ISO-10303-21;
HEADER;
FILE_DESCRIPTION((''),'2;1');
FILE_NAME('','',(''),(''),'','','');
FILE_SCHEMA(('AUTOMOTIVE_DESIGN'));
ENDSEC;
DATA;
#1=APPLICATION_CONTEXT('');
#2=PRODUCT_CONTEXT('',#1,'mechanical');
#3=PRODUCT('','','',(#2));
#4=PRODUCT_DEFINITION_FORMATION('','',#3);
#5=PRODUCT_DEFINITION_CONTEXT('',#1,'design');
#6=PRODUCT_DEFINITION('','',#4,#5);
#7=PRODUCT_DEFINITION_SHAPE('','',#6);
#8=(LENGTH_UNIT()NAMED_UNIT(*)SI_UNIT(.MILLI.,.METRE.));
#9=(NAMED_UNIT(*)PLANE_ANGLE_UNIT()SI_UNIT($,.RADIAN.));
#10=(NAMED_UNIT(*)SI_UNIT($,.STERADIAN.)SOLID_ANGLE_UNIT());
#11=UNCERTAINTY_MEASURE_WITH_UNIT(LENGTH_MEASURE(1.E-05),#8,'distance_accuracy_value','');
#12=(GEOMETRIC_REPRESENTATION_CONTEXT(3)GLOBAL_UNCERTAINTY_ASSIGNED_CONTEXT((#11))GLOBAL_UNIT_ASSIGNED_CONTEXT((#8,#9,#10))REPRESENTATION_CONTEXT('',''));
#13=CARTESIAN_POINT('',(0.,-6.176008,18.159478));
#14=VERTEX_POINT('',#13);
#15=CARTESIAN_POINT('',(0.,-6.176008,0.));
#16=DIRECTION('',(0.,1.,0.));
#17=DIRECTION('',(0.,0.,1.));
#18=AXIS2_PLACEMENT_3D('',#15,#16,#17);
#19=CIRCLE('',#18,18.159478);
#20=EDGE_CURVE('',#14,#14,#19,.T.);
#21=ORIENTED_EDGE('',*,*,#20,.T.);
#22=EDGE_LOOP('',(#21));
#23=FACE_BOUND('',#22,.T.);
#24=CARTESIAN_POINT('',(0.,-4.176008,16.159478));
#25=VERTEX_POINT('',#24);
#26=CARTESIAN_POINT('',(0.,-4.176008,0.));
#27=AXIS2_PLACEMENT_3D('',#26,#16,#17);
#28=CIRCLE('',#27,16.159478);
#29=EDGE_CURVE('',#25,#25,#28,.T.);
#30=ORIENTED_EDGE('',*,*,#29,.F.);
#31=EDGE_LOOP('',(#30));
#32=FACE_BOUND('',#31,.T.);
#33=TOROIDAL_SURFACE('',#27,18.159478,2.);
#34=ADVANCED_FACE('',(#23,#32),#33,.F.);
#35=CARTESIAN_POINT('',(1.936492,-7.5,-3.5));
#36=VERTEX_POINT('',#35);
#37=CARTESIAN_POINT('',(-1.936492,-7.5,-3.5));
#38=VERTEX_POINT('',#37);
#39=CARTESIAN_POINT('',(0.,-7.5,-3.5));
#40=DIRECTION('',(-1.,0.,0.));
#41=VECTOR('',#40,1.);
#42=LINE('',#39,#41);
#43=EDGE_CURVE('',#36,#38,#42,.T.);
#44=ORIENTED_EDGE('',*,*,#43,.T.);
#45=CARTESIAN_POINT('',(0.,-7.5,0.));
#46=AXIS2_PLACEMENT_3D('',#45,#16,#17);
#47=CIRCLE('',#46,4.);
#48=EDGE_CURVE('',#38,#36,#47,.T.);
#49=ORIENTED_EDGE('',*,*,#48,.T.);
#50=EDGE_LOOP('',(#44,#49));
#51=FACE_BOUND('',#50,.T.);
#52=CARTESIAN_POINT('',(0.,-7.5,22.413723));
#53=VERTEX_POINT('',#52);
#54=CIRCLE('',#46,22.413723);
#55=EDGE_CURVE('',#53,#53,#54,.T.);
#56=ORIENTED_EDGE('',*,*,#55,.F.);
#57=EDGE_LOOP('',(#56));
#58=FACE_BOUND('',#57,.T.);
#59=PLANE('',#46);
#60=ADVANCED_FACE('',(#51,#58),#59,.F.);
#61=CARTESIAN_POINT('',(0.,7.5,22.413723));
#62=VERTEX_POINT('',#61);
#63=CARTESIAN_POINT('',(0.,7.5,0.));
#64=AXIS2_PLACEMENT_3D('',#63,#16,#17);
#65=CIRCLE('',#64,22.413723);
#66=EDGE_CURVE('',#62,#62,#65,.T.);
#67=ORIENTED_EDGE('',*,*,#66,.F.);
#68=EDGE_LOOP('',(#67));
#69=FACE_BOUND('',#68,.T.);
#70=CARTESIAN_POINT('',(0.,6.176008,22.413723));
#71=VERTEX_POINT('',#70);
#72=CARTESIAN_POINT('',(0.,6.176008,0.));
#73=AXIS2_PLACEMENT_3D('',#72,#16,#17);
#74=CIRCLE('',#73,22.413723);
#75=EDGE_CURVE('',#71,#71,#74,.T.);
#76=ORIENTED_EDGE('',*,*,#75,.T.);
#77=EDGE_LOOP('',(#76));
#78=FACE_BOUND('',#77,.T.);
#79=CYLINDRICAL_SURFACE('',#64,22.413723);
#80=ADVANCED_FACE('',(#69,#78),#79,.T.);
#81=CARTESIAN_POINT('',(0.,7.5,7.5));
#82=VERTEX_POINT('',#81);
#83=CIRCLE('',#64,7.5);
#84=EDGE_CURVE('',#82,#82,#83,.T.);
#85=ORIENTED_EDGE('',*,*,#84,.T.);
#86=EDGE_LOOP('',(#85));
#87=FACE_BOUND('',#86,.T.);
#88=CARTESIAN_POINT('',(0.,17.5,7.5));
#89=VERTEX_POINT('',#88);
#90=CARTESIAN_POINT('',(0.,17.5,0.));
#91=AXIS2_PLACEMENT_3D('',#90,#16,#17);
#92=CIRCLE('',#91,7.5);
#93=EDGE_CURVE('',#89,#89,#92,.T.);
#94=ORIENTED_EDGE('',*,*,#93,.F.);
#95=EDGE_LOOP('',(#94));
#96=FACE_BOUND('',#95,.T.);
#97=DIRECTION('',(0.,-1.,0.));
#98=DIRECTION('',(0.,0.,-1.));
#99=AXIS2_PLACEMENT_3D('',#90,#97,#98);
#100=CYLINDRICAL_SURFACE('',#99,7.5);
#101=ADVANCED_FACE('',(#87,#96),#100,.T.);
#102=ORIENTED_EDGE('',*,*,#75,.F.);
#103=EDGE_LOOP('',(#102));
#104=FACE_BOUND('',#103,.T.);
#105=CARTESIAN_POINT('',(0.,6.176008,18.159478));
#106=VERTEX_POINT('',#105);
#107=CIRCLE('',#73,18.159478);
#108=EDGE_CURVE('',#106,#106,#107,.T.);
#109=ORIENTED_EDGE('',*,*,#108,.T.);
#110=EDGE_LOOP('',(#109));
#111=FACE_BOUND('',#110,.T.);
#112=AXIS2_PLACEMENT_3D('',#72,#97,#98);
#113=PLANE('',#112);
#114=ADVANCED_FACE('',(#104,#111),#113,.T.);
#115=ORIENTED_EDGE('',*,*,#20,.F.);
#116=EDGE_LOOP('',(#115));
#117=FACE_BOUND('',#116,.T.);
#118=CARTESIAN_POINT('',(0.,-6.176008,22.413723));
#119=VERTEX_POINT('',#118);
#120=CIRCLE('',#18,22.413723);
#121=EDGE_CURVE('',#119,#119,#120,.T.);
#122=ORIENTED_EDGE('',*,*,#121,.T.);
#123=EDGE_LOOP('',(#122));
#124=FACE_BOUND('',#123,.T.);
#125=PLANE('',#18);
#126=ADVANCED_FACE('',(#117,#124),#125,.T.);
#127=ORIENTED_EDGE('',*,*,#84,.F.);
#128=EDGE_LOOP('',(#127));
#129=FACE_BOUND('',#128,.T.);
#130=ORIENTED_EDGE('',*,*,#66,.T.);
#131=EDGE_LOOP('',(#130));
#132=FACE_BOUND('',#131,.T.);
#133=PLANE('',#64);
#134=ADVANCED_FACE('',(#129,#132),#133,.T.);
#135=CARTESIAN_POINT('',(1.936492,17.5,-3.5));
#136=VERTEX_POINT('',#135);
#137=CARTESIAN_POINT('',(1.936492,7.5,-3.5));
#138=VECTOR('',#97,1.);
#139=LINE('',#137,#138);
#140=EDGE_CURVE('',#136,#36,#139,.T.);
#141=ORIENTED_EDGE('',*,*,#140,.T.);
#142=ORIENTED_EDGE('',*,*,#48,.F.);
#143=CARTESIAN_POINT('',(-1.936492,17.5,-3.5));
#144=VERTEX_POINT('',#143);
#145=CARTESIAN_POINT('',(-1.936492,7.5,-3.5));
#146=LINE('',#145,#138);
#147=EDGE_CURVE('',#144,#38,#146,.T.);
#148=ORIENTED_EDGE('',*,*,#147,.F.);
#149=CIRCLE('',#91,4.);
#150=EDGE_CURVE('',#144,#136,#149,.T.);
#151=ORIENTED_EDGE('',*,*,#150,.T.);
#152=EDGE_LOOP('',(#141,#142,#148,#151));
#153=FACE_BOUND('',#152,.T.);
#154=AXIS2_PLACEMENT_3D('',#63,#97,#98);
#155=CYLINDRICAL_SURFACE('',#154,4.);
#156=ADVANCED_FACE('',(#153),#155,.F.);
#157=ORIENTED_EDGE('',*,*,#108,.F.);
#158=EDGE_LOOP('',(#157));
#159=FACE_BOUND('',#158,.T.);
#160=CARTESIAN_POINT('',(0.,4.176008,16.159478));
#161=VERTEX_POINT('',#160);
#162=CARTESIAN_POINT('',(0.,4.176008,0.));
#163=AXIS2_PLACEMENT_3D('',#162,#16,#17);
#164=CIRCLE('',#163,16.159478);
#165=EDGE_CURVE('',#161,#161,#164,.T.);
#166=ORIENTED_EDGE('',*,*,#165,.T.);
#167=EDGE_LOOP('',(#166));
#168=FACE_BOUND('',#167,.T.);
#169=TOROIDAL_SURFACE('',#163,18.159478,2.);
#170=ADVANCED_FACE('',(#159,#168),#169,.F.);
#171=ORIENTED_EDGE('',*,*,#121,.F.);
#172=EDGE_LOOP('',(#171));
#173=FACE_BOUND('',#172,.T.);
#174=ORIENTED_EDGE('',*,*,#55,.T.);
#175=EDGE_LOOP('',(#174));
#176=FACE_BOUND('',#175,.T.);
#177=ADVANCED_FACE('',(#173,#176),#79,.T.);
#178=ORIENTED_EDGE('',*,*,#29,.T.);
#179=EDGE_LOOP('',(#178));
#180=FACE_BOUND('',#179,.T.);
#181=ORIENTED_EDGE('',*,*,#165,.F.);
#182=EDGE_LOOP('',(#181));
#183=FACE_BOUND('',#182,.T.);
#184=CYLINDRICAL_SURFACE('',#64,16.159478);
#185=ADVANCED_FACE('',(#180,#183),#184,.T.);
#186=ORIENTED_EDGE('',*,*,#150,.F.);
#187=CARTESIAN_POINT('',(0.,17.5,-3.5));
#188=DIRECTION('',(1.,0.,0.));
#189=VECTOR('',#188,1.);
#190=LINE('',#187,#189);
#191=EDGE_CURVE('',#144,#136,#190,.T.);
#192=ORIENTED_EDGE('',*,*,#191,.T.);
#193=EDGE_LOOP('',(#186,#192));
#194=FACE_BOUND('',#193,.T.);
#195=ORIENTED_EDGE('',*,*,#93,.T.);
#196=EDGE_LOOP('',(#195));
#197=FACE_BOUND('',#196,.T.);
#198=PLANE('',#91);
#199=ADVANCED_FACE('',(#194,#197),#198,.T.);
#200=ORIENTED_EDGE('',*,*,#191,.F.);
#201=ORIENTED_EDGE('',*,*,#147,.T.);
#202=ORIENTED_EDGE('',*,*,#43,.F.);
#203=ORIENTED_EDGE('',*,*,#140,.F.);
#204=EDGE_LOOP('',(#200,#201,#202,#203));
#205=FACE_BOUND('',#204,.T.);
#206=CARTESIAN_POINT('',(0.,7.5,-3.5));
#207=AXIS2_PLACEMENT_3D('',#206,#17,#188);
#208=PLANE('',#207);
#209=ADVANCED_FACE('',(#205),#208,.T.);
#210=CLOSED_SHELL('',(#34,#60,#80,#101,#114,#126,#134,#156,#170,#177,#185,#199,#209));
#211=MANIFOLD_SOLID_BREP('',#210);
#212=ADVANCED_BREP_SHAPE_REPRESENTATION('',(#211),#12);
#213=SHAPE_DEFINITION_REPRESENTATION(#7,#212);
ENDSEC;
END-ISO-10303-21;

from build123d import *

# Parameters (mm, degrees)
SKETCH2_R           = 15
BOSS_EXTRUDE1_DEPTH = 7.5
SKETCH4_R           = 7.5
BOSS_EXTRUDE2_DEPTH = 10


with BuildPart() as part:
    # Sketch2 → Boss-Extrude1 (new body, symmetric)
    with BuildSketch(Plane(origin=(0, 0, 0), x_dir=(1, 0, 0), z_dir=(0, 1, 0))):
        Circle(SKETCH2_R)
        with BuildLine():
            ThreePointArc((1.936491673, 3.5), (0, -4), (-1.936491673, 3.5))
            Line((-1.936491673, 3.5), (1.936491673, 3.5))
        make_face(mode=Mode.SUBTRACT)
    extrude(amount=BOSS_EXTRUDE1_DEPTH, both=True)

    # Sketch3 → Revolve1 (revolve)
    with BuildSketch(Plane(origin=(0, 0, 0), x_dir=(0, 0, -1), z_dir=(1, 0, 0))):
        with BuildLine():
            ThreePointArc((18.159478483, 6.176007768), (16.745264921, 5.59022133), (16.159478483, 4.176007768))
            Line((16.159478483, 4.176007768), (16.159478483, -4.176007768))
            ThreePointArc((16.159478483, -4.176007768), (16.745264921, -5.59022133), (18.159478483, -6.176007768))
            Line((18.159478483, -6.176007768), (22.413723235, -6.176007768))
            Line((22.413723235, -6.176007768), (22.413723235, -7.5))
            Line((22.413723235, -7.5), (15, -7.5))
            Line((15, -7.5), (15, 7.5))
            Line((15, 7.5), (22.413723235, 7.5))
            Line((22.413723235, 7.5), (22.413723235, 6.176007768))
            Line((22.413723235, 6.176007768), (18.159478483, 6.176007768))
        make_face()
    revolve(axis=Axis((0, 7.5, 0), (0, -1, 0)))

    # Sketch4 → Boss-Extrude2 (add)
    with BuildSketch(Plane(origin=(0, 7.5, 0), x_dir=(1, 0, 0), z_dir=(0, 1, 0))):
        Circle(SKETCH4_R)
        with BuildLine():
            Line((-1.936491673, 3.5), (1.936491673, 3.5))
            ThreePointArc((1.936491673, 3.5), (0, -4), (-1.936491673, 3.5))
        make_face(mode=Mode.SUBTRACT)
    extrude(amount=BOSS_EXTRUDE2_DEPTH)


solid = part.part
